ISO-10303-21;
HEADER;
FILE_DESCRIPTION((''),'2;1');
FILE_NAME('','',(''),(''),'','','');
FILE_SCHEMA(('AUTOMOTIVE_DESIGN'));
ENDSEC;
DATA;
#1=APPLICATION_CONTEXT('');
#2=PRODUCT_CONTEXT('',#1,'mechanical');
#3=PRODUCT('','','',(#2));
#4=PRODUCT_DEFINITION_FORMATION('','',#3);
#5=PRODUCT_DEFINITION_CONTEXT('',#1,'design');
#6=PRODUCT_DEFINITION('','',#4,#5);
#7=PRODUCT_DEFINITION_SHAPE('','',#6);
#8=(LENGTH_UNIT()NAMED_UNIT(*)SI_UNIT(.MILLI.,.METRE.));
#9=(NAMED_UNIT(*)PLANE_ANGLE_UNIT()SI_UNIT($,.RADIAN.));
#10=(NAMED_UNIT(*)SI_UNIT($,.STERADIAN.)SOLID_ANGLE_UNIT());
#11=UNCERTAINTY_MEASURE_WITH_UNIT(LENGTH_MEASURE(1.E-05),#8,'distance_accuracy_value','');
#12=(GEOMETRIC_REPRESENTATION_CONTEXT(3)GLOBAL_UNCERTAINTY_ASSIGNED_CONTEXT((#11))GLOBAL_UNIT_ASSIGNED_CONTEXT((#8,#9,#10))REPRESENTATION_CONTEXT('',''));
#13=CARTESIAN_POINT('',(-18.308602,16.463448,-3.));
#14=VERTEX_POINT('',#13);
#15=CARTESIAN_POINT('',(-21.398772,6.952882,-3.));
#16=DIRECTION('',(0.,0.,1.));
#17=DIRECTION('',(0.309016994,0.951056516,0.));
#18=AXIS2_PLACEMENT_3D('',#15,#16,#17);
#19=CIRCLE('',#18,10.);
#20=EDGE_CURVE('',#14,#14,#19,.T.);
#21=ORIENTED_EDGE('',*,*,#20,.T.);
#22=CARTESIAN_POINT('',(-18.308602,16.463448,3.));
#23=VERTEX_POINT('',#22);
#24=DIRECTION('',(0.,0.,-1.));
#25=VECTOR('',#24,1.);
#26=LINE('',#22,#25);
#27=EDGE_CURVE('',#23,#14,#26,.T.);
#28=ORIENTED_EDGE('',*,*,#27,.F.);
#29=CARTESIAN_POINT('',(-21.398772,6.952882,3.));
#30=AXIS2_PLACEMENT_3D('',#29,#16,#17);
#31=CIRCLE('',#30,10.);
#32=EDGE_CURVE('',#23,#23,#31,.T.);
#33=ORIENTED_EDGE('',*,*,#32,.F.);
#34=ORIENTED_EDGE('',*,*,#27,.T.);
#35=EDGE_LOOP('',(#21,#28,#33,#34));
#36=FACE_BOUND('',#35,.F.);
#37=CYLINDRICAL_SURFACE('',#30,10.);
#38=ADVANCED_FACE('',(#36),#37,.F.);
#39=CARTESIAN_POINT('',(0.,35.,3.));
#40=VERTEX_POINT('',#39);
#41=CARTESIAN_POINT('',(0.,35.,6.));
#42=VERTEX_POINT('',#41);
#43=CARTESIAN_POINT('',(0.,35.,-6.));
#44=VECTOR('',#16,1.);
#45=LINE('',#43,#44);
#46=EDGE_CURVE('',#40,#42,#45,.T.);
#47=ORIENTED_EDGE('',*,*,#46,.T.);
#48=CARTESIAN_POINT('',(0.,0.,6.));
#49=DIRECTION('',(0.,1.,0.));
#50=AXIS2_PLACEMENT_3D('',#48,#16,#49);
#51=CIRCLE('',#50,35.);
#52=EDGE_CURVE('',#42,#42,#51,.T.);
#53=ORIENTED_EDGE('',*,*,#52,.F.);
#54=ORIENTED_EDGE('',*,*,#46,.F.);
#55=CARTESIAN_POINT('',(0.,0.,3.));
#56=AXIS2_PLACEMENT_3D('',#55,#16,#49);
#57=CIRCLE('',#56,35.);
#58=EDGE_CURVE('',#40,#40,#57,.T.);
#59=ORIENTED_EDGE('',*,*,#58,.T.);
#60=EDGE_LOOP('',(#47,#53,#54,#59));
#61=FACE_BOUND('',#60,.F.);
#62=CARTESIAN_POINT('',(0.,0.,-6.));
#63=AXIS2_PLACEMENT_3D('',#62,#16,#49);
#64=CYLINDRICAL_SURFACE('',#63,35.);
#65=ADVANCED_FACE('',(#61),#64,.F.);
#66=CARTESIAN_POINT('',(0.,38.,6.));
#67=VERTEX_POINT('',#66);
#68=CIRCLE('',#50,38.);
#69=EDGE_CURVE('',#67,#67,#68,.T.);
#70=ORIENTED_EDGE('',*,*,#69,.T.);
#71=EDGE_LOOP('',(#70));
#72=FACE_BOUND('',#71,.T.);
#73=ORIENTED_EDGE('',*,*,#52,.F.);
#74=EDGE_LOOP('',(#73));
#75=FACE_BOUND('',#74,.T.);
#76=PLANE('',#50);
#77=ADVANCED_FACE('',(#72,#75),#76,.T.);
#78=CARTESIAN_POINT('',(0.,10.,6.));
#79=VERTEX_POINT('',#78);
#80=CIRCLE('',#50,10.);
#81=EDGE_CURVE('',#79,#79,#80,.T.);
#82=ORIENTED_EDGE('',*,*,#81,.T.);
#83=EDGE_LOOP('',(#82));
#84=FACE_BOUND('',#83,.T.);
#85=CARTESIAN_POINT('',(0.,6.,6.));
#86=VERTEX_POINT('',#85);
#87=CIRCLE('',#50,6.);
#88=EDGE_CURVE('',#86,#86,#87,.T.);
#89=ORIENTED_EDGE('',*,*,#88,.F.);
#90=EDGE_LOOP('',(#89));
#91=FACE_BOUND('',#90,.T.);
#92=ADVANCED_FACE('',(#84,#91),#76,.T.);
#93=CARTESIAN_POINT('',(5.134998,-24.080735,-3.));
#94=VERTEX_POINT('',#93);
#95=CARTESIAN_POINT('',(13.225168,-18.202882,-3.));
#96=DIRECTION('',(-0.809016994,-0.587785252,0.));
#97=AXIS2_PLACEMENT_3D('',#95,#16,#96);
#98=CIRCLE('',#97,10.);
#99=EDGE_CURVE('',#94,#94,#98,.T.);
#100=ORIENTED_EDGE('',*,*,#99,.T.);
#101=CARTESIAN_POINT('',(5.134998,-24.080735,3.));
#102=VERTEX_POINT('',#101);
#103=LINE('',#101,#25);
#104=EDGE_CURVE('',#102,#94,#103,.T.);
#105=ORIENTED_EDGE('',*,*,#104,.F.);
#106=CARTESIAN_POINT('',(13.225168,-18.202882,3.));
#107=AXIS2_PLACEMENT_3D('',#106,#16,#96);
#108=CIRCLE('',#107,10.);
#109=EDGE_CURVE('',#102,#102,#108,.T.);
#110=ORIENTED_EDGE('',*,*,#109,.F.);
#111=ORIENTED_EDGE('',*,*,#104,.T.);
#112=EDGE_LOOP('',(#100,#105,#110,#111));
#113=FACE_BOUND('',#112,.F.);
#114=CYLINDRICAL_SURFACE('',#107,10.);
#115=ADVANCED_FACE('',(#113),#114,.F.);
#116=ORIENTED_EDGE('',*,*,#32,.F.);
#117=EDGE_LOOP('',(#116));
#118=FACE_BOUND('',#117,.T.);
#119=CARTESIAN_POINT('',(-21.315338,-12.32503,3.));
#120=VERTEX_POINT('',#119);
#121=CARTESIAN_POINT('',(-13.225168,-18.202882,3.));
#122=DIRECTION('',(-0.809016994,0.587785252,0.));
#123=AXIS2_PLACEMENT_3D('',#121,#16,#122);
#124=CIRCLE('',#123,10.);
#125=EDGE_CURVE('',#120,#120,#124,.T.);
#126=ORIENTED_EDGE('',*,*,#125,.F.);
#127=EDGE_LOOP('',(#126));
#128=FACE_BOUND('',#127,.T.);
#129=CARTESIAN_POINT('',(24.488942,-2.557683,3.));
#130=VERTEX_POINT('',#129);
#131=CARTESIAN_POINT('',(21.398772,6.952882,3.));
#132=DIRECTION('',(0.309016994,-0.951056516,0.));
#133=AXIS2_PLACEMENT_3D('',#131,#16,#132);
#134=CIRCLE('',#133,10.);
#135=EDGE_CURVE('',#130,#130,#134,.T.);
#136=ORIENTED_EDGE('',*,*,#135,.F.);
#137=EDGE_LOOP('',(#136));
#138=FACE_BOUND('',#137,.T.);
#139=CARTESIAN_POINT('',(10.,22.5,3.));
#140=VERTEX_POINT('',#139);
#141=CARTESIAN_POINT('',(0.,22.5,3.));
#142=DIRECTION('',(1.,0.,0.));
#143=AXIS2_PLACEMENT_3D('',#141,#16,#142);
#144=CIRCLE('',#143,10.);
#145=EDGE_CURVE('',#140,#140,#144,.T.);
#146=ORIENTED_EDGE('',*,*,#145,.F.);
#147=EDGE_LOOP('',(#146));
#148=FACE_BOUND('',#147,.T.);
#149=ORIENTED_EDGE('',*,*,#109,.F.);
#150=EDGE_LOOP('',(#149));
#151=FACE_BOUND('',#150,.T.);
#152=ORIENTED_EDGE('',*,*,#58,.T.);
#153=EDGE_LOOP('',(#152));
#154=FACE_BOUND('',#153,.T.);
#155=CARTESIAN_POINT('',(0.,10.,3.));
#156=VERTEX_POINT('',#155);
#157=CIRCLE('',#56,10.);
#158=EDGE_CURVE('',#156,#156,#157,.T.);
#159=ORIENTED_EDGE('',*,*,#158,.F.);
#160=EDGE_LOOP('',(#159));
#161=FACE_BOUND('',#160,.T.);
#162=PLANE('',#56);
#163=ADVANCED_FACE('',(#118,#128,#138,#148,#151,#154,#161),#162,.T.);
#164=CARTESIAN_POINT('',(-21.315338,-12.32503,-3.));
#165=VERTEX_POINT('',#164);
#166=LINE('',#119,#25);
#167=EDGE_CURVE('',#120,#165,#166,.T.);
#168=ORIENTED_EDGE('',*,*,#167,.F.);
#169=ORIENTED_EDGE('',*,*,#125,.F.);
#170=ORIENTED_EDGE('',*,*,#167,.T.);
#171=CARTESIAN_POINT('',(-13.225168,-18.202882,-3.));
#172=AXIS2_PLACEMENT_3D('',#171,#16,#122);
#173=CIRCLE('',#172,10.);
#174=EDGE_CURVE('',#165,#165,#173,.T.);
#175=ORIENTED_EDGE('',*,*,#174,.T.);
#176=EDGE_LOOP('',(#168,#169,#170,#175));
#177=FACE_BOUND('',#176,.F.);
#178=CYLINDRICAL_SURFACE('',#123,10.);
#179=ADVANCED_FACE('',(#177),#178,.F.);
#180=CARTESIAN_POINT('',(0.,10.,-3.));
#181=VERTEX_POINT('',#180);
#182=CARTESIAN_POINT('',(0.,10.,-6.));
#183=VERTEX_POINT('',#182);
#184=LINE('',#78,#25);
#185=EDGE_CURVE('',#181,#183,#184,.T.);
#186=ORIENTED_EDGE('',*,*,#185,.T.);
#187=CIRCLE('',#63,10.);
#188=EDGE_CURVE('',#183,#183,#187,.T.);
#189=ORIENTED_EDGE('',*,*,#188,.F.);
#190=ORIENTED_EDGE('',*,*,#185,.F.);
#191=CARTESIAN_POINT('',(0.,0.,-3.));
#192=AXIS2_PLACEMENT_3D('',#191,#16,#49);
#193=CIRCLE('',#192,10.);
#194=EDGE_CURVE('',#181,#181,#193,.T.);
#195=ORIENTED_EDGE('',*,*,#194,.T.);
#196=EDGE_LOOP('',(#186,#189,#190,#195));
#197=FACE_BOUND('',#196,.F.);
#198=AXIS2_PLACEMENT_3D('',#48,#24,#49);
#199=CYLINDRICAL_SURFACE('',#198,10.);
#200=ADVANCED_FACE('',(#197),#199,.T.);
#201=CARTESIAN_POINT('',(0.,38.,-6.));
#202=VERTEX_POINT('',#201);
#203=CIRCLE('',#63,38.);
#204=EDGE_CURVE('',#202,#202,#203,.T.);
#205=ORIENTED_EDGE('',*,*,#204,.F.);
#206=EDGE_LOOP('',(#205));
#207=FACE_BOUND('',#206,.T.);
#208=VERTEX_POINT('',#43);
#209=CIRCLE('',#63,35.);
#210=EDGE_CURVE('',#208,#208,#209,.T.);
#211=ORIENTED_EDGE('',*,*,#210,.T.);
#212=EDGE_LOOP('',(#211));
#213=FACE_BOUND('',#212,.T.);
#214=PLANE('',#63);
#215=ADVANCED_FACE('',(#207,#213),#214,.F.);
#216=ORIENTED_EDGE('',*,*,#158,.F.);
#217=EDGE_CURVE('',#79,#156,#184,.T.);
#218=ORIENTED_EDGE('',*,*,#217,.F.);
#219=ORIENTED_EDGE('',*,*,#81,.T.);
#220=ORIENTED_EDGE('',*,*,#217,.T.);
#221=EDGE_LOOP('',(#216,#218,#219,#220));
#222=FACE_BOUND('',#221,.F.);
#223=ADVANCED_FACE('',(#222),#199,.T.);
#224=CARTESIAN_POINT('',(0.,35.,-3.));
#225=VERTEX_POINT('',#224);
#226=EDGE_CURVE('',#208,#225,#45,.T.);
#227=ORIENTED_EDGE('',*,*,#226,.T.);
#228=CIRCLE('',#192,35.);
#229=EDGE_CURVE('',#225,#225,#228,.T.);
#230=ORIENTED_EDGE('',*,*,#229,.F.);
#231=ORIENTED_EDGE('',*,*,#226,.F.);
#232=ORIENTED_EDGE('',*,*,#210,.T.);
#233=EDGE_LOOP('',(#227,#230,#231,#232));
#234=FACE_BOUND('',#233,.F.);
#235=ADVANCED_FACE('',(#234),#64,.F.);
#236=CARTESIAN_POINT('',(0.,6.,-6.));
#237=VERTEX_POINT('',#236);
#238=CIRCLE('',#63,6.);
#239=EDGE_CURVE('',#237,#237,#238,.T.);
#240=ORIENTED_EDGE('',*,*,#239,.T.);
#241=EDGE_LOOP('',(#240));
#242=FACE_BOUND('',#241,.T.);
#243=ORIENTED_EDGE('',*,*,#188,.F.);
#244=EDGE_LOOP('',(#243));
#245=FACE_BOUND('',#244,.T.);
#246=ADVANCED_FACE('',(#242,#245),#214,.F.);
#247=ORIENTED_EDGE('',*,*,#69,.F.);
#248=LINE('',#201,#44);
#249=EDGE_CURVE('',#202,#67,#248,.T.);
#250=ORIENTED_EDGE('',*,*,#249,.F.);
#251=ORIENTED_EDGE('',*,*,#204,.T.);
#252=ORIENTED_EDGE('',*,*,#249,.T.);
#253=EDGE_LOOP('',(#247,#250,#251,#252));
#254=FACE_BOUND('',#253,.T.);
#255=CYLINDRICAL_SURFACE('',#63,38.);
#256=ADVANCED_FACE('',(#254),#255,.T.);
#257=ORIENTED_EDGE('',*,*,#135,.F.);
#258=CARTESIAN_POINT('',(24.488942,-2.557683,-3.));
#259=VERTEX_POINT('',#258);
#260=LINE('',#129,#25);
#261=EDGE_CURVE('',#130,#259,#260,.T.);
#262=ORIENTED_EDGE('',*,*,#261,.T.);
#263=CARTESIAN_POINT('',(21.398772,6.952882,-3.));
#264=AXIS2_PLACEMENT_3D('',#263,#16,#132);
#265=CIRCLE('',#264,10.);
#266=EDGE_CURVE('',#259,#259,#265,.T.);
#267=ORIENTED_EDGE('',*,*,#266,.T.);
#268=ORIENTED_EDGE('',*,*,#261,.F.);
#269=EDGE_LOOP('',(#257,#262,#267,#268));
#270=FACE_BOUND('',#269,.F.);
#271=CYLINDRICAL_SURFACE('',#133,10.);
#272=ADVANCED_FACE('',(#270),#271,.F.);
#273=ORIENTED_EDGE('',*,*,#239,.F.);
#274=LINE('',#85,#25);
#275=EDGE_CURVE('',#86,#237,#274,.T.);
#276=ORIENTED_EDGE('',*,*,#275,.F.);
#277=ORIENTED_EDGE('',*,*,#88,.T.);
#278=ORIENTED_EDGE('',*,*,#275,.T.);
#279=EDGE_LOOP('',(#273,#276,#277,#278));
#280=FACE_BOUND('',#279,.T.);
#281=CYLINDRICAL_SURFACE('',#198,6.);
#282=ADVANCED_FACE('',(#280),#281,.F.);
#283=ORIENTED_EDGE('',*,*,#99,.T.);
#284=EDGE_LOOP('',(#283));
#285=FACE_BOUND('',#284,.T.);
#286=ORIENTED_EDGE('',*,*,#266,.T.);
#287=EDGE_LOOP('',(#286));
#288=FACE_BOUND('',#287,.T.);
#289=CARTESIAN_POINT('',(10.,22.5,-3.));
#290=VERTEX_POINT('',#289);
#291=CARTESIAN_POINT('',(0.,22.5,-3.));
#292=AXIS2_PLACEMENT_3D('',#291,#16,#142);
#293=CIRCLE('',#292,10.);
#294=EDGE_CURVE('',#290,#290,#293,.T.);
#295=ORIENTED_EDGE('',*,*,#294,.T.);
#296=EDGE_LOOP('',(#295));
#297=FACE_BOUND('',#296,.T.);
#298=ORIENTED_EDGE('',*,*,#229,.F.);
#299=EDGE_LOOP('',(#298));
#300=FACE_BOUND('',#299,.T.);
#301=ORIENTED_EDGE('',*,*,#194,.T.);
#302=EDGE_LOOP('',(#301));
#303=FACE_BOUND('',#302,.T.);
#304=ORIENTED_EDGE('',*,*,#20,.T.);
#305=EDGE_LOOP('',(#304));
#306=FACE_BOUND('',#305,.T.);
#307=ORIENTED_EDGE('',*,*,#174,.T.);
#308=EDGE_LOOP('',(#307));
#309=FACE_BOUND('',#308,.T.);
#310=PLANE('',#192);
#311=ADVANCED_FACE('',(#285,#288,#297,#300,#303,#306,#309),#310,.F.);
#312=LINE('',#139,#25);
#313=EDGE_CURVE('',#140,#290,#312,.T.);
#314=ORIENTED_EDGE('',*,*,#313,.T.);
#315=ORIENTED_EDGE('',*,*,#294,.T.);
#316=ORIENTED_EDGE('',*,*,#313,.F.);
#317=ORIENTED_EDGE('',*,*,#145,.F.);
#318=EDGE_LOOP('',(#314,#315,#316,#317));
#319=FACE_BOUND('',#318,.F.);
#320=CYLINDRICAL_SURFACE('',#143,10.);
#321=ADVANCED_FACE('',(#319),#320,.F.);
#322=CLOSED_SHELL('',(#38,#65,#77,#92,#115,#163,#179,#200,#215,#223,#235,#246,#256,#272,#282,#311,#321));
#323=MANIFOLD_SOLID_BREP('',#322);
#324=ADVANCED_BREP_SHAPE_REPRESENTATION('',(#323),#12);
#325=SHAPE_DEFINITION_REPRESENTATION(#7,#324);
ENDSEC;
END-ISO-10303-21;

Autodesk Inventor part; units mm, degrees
ref_plane "YZ Plane" through (0, 0, 0) normal (1, 0, 0) x (0, 1, 0)
ref_plane "XZ Plane" through (0, 0, 0) normal (0, 1, 0) x (-1, 0, 0)
ref_plane "XY Plane" through (0, 0, 0) normal (0, 0, 1) x (1, 0, 0)
sketch "草圖1" plane through (0, 0, 0) normal (1, 0, 0) x (0, 1, 0)
  line L0 (0, 0) -> (0, 54.3739) construction
  line L1 (0, 0) -> (54.3739, 0) construction
  line L2 (6, 6) -> (6, -6)
  line L3 (38, -6) -> (38, 6)
  line L4 (35, 3) -> (10, 3)
  line L5 (10, 6) -> (10, -6)
  line L6 (10, -3) -> (35, -3)
  line L7 (35, -6) -> (35, 6)
  line L8 (38, 6) -> (35, 6)
  line L9 (10, 6) -> (6, 6)
  line L10 (6, -6) -> (10, -6)
  line L11 (35, -6) -> (38, -6)
  dimension "d2" = 12
  dimension "d3" = 3
  dimension "d4" = 6
  dimension "d5" = 10
  dimension "d6" = 35
  dimension "d7" = 38
  dimension "d8" = 12
revolve "迴轉1" add sketch "草圖1" angle 360 about axis through (0, 0, 0) along (0, 0, 1)
sketch "草圖2" plane through (0, 0, 3) normal (0, 0, 1) x (1, 0, 0)
  circle A0 centre (0, 22.5) radius 10
  point P0 (0, 0)
  dimension "d10" = 20
  dimension "d11" = 22.5
extrude "擠出1" cut sketch "草圖2" against normal through all
pattern_circular "環形陣列1" count 5 over 360 about axis through (0, 0, -10) along (0, 0, 1) of "擠出1"
properties part number "8. 車輪"
